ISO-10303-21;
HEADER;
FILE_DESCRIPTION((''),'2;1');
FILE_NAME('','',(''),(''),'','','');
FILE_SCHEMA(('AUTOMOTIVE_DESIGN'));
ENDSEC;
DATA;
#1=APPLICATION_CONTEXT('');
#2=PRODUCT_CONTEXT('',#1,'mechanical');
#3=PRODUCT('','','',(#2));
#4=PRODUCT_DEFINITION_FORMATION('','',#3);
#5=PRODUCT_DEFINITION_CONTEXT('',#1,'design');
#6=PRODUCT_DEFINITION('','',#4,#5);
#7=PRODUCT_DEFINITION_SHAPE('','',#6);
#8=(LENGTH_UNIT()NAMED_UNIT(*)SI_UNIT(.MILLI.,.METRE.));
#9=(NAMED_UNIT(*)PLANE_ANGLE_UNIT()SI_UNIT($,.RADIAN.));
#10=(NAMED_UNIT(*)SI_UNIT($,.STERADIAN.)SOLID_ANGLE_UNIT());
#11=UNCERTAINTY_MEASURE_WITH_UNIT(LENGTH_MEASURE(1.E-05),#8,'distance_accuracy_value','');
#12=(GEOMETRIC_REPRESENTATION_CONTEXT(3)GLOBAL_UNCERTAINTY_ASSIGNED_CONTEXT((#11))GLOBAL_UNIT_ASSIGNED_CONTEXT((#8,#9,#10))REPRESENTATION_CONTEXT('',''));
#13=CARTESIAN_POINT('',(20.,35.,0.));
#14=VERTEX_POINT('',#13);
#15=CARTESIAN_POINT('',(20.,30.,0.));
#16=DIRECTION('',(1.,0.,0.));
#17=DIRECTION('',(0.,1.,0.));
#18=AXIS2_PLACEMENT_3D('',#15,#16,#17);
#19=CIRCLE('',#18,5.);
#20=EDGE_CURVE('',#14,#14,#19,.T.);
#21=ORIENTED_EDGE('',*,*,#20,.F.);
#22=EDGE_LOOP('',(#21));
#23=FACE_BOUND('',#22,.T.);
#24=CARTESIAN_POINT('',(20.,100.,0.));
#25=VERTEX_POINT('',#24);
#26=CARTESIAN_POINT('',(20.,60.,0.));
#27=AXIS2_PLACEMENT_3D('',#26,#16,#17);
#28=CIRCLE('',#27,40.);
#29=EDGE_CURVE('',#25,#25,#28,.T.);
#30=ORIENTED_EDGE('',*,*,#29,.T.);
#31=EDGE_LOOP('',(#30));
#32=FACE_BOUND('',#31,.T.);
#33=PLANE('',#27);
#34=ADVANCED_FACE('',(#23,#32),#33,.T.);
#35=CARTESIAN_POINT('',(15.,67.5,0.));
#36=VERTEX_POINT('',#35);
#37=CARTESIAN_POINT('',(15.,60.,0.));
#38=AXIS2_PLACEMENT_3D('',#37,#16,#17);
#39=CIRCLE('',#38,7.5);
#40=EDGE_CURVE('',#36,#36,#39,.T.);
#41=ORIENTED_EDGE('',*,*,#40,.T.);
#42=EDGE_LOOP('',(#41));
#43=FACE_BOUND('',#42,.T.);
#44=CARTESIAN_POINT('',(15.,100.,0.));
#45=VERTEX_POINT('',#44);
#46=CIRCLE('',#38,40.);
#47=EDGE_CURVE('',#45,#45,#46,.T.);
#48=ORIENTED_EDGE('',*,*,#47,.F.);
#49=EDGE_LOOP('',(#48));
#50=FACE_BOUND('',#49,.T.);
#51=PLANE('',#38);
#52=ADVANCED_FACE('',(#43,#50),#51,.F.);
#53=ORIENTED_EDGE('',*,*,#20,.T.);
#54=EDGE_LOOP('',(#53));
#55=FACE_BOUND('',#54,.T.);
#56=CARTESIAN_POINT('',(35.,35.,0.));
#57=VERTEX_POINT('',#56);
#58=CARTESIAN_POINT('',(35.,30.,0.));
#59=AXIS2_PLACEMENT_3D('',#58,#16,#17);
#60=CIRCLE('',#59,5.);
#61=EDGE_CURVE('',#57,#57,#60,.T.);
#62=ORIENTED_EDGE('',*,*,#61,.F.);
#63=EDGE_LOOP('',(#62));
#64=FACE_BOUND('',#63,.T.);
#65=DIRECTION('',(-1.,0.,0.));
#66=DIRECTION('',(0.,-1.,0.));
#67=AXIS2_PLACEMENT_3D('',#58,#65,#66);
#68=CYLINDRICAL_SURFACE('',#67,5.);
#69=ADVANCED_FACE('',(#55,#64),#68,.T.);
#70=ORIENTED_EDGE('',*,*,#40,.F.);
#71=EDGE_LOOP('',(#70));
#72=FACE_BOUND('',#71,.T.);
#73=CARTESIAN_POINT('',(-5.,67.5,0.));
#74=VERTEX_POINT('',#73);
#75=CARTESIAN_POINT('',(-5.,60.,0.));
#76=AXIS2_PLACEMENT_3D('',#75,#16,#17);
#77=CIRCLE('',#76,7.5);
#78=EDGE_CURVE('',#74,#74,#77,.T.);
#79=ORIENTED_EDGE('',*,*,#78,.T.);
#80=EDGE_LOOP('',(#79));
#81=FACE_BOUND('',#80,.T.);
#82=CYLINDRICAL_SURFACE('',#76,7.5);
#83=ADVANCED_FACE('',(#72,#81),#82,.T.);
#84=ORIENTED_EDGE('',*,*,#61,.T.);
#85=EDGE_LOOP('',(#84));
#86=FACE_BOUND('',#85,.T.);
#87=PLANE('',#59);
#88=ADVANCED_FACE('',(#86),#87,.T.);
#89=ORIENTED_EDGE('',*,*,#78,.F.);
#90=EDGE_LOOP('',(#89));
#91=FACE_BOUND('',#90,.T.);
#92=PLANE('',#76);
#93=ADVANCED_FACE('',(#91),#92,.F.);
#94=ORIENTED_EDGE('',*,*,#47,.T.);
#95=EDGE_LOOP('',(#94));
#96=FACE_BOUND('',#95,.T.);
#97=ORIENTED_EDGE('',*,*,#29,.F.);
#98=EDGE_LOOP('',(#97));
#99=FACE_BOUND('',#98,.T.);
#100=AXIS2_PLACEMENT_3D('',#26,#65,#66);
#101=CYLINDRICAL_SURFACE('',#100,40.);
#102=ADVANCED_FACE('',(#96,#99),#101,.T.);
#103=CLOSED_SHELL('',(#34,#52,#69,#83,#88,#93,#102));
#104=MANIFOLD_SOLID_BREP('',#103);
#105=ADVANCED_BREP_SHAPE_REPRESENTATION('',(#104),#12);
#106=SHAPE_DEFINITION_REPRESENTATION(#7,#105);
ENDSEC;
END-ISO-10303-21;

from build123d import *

# Parameters (mm, degrees)
SKETCH2_R                = 7.5
BOSS_EXTRUDE1_DEPTH      = 5
BOSS_EXTRUDE1_DEPTH_BACK = 15
SKETCH3_R                = 40
BOSS_EXTRUDE2_DEPTH      = 5
SKETCH4_R                = 5
BOSS_EXTRUDE3_DEPTH      = 15


with BuildPart() as part:
    # Sketch2 → Boss-Extrude1 (new body, two sides)
    with BuildSketch(Plane(origin=(10, 0, 0), x_dir=(0, 0, -1), z_dir=(1, 0, 0))) as boss_extrude1_sk:
        with Locations((0, 60)):
            Circle(SKETCH2_R)
    extrude(amount=BOSS_EXTRUDE1_DEPTH)
    extrude(boss_extrude1_sk.sketch, amount=-BOSS_EXTRUDE1_DEPTH_BACK)

    # Sketch3 → Boss-Extrude2 (add)
    with BuildSketch(Plane(origin=(15, 0, 0), x_dir=(0, 0, -1), z_dir=(1, 0, 0))):
        with Locations((0, 60)):
            Circle(SKETCH3_R)
    extrude(amount=BOSS_EXTRUDE2_DEPTH)

    # Sketch4 → Boss-Extrude3 (add)
    with BuildSketch(Plane(origin=(20, 0, 0), x_dir=(0, 0, -1), z_dir=(1, 0, 0))):
        with Locations((0, 30)):
            Circle(SKETCH4_R)
    extrude(amount=BOSS_EXTRUDE3_DEPTH)


solid = part.part
